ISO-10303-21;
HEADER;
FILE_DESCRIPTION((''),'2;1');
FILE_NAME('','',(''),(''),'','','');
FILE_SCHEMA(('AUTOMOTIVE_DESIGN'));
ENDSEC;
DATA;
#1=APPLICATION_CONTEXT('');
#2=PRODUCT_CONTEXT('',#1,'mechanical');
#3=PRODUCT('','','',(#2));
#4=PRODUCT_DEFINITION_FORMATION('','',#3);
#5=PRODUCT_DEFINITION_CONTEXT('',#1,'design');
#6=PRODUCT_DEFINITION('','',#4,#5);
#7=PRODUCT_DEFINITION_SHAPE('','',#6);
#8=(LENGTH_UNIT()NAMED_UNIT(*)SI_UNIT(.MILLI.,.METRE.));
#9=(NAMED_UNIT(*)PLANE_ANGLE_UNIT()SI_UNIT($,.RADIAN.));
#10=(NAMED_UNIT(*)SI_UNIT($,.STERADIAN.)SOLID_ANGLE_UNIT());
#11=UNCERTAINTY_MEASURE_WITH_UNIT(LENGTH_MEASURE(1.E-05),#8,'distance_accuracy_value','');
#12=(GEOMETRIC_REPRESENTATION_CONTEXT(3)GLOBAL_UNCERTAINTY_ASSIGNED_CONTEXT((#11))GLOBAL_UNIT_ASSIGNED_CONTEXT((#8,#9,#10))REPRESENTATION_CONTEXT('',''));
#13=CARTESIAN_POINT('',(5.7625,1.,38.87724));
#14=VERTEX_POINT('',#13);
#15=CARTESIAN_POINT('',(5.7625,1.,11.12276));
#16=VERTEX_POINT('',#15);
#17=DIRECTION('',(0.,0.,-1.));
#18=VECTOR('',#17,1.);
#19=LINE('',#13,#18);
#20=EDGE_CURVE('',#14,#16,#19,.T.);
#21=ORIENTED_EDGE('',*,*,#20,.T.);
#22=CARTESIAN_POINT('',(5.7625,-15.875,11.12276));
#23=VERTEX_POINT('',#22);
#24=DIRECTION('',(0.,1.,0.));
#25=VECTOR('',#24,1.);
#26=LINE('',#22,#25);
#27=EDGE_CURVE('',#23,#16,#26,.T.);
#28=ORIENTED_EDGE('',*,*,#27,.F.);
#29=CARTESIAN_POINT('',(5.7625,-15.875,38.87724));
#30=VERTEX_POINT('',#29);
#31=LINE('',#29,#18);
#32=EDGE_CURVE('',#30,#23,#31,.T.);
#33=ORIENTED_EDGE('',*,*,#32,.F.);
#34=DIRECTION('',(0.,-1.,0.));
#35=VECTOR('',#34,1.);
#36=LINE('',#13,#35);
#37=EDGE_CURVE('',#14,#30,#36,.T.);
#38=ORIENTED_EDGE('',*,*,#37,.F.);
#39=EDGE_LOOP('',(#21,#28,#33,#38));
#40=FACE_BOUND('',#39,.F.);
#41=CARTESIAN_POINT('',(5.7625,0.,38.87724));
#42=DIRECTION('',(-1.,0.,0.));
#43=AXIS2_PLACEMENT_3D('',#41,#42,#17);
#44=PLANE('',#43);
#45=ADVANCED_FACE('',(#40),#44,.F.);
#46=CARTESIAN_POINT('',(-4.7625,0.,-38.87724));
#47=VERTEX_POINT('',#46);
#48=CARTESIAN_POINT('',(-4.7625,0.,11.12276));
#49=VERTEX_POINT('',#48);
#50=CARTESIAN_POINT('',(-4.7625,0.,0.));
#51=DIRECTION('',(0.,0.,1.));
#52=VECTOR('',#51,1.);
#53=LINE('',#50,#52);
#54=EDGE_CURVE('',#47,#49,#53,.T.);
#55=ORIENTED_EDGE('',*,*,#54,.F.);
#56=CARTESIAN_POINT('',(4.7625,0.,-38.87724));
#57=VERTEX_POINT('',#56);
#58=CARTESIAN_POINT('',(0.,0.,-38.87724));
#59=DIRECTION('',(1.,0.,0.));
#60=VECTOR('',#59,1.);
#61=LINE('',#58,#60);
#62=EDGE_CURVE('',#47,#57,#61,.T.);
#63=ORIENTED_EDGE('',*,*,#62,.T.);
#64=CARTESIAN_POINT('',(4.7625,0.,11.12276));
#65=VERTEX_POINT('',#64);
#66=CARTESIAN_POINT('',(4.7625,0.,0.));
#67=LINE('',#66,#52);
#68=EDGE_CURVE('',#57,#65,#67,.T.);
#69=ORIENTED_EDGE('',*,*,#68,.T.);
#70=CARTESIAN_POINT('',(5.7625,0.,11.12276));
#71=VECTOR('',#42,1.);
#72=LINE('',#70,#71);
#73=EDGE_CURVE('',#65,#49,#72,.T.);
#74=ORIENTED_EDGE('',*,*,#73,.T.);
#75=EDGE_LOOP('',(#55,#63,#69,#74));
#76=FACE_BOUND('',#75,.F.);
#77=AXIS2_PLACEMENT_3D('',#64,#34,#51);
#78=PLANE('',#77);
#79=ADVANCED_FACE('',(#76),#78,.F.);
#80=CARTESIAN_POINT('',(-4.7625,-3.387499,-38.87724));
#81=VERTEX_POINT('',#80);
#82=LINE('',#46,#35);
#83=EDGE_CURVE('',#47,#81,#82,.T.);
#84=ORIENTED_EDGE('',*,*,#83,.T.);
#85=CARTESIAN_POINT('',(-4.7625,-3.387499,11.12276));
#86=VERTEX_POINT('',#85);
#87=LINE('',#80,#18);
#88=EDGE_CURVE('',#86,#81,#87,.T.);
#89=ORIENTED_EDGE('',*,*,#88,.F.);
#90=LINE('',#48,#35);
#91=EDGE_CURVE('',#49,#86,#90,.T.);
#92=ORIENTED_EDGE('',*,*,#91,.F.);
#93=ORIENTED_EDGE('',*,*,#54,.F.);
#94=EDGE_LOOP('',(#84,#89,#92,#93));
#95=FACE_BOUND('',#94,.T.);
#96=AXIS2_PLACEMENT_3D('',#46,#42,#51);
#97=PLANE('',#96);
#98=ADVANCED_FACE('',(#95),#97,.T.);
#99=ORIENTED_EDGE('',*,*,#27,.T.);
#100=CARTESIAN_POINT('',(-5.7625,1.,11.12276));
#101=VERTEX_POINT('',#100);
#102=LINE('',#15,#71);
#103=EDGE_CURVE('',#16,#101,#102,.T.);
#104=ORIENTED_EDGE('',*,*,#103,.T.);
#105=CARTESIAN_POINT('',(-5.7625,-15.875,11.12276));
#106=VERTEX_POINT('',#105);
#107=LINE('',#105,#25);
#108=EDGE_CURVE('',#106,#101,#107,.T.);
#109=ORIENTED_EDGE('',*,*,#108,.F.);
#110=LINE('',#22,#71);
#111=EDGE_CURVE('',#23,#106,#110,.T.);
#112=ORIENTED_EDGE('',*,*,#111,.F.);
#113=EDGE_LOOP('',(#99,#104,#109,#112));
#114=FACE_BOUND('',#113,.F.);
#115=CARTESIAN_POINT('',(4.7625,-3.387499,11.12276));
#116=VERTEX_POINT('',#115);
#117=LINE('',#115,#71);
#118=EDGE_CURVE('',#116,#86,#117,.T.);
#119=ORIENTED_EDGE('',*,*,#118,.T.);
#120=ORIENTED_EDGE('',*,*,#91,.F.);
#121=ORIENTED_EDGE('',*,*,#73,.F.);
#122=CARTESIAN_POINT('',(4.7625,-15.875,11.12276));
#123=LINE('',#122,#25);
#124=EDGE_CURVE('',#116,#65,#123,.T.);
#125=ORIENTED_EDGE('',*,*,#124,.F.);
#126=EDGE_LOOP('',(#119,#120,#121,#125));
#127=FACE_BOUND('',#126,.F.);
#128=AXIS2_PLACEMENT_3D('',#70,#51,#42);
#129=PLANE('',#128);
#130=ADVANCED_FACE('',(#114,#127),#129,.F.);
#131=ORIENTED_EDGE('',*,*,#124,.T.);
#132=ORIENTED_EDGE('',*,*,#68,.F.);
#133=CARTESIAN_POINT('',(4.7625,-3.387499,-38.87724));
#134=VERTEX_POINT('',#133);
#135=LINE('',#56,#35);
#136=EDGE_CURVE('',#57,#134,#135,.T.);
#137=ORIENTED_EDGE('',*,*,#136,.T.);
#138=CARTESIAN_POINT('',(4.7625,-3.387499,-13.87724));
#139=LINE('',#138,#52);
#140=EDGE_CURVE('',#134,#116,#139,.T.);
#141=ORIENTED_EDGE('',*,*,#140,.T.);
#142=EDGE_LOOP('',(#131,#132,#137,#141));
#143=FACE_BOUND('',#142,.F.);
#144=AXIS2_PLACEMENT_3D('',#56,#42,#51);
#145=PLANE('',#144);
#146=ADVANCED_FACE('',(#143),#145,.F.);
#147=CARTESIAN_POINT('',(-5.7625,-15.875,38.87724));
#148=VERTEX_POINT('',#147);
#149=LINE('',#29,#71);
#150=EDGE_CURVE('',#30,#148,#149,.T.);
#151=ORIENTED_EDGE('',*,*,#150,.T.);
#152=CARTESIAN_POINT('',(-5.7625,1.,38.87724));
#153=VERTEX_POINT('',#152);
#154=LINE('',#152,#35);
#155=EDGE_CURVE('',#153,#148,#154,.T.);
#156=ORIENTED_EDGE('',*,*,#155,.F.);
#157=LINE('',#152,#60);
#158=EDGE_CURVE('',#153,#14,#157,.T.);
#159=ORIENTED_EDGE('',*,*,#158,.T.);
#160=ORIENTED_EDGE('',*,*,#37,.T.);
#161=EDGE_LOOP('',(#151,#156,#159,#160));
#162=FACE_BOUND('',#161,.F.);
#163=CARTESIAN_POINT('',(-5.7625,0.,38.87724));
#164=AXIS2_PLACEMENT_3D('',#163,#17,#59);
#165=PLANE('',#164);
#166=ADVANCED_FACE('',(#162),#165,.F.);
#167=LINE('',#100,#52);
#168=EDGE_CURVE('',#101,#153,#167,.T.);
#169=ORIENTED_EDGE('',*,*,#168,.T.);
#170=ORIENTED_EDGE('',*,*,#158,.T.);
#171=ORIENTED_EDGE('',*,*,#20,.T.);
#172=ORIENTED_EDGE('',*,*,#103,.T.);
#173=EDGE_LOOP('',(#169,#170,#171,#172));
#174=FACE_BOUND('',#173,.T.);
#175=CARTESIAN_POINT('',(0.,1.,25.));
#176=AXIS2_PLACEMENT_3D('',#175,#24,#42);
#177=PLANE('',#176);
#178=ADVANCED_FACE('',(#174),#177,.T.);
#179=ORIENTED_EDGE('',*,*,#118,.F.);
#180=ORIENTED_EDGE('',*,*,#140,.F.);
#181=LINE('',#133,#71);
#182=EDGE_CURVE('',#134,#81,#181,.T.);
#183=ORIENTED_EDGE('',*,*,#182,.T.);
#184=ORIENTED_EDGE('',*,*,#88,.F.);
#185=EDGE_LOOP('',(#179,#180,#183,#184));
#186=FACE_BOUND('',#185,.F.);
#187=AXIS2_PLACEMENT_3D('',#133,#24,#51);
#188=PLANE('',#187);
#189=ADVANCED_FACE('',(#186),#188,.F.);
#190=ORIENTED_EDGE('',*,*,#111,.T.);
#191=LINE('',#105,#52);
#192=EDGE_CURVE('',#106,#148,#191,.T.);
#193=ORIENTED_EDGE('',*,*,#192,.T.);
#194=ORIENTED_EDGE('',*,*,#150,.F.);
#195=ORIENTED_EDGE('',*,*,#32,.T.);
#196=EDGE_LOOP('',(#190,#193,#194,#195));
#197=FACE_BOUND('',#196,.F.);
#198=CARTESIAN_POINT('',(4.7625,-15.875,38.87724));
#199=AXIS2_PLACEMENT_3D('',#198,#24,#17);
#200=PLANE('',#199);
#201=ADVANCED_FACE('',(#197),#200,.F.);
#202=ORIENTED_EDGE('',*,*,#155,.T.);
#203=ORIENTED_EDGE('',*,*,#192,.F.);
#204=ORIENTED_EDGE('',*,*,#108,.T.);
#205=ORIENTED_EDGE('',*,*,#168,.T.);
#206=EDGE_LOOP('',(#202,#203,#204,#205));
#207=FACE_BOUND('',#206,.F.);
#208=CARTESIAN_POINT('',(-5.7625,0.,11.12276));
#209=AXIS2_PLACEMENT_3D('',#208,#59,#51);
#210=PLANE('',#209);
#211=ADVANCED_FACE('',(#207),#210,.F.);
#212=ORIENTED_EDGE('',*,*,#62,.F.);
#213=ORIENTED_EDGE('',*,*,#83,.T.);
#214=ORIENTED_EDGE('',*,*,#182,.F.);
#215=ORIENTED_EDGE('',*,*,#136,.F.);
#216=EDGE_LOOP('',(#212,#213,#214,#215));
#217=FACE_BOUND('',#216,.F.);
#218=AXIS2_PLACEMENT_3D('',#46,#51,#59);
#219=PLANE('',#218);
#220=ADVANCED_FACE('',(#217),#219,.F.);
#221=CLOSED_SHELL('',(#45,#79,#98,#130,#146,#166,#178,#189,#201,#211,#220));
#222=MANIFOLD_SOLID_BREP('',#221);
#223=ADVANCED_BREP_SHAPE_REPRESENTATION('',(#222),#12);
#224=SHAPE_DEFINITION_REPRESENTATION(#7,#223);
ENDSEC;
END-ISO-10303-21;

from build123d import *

# Parameters (mm, degrees)
F0_W     = 9.525
F0_H     = 77.75448
F1_DEPTH = 15.875
F2_W     = 12.4875006322
F2_H     = 50
F3_DEPTH = 25
F5_DEPTH = 1
F7_DEPTH = 1
F9_DEPTH = 1


with BuildPart() as f1:
    # F0 (on Front) → F1 (new body)
    with BuildSketch(Plane.XZ):
        Rectangle(F0_W, F0_H)
    extrude(amount=F1_DEPTH)

    # F2 (on face) → F3 (cut)
    with BuildSketch(Plane.YZ.offset(4.7625)):
        with Locations((-9.6312496839, -13.87724)):
            Rectangle(F2_W, F2_H)
    extrude(amount=-F3_DEPTH, mode=Mode.SUBTRACT)

    # F4 (on face) → F5 (join)
    with BuildSketch(Plane(origin=(-4.7625, 0, 0), x_dir=(0, -1, 0), z_dir=(-1, 0, 0))):
        Polygon((0, 11.12276), (3.3874993678, 11.12276), (15.875, 11.12276), (15.875, 38.87724), (0, 38.87724), align=None)
    extrude(amount=F5_DEPTH)

    # F6 (on face) → F7 (join)
    with BuildSketch(Plane.YZ.offset(4.7625)):
        Polygon((-15.875, 11.12276), (-3.3874993678, 11.12276), (0, 11.12276), (0, 38.87724), (-15.875, 38.87724), align=None)
    extrude(amount=F7_DEPTH)

    # F8 (on face) → F9 (join)
    with BuildSketch(Plane(origin=(0, 0, 0), x_dir=(-1, 0, 0), z_dir=(0, 1, 0))):
        Polygon((-5.7625, 38.87724), (-5.7625, 11.12276), (-4.7625, 11.12276), (4.7625, 11.12276), (5.7625, 11.12276), (5.7625, 38.87724), align=None)
    extrude(amount=F9_DEPTH)


solid = f1.part
